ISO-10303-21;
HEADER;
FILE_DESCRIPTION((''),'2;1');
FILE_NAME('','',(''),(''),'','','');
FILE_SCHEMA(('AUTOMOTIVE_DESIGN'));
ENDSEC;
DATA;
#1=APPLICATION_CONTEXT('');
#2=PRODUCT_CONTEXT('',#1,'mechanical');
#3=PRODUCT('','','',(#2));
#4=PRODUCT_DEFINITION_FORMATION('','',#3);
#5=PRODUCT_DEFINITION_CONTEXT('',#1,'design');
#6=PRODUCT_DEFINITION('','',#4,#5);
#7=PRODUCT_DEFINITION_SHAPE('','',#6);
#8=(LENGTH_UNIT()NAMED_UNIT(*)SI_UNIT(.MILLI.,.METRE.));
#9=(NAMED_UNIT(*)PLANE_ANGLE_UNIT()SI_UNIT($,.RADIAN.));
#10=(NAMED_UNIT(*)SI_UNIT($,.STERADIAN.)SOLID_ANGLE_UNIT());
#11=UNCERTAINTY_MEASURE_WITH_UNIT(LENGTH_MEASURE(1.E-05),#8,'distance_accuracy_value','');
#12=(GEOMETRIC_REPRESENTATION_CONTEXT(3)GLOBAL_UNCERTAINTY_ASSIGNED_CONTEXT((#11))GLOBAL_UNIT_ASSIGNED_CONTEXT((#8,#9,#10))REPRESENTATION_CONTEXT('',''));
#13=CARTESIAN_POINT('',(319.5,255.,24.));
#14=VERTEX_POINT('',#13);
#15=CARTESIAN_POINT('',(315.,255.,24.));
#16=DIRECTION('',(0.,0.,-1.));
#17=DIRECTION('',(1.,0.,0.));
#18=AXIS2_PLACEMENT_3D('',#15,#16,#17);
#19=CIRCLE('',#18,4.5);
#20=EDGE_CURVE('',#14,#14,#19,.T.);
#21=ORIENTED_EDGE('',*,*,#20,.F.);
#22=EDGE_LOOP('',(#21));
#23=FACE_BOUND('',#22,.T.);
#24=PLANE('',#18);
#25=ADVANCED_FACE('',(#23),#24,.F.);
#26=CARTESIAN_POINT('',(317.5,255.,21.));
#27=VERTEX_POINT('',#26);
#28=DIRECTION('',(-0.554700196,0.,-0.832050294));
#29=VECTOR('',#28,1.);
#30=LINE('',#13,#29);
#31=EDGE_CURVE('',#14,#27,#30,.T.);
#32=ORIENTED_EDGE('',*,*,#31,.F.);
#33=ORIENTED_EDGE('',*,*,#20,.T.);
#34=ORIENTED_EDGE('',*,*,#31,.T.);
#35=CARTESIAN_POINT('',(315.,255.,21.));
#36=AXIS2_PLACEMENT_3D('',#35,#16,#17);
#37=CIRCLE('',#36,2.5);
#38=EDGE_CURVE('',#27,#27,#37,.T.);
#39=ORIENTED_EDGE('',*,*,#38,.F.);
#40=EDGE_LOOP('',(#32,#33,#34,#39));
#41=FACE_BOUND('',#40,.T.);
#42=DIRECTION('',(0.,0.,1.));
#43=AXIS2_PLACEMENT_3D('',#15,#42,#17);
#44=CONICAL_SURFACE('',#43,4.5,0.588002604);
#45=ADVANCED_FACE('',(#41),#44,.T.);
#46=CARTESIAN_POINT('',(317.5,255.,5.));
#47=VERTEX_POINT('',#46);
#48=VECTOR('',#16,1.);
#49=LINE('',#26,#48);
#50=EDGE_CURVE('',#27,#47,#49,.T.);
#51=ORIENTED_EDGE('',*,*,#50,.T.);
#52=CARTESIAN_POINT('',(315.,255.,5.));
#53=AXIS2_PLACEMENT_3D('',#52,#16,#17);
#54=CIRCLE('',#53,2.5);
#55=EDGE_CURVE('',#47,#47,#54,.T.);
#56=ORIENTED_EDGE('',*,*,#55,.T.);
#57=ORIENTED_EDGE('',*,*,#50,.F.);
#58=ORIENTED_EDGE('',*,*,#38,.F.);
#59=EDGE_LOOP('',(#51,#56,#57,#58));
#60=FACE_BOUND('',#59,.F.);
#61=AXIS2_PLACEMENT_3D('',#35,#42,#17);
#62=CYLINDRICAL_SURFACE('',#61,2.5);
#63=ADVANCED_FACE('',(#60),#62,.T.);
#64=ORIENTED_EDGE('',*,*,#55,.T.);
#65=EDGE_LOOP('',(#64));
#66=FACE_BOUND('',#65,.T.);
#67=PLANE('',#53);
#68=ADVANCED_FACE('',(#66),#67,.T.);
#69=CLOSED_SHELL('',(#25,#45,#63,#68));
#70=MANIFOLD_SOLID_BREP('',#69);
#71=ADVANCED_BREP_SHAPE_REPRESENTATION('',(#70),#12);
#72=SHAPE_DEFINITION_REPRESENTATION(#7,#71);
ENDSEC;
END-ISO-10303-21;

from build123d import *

# Parameters (mm, degrees)
CYLINDER011_R                   = 2.5
CYLINDER011_DEPTH               = 16
FUSION001018017_PLACEMENT_ANGLE = 180
CLONE024_PLACEMENT_ANGLE        = 180


with BuildPart() as cone003:
    # Cone003 → Cone003 (revolve)
    with BuildSketch(Plane(origin=(0, 0, -3), x_dir=(1, 0, 0), z_dir=(0, -1, 0))):
        Polygon((0, 0), (4.5, 0), (2.5, 3), (0, 3), align=None)
    revolve(axis=Axis((0, 0, -3), (0, 0, 1)))


with BuildPart() as m5x16_senkkopf016:
    # Cylinder011 → Cylinder011 (new body)
    with BuildSketch(Plane.XY):
        Circle(CYLINDER011_R)
    extrude(amount=CYLINDER011_DEPTH)

    # Fusion001018017: union Cone003
    add(cone003.part)


with BuildPart() as m5x16_senkkopf016_1:
    # Fusion001018017 placement: moved
    add(m5x16_senkkopf016.part.moved(Location((45, 15, 21))).rotate(Axis((45, 15, 21), (0, 1, 0)), FUSION001018017_PLACEMENT_ANGLE))


with BuildPart() as m5x16_senkkopf016_2:
    # Clone024 placement: moved
    add(m5x16_senkkopf016_1.part.moved(Location((90, 270, 0))).rotate(Axis((90, 270, 0), (0, 0, 1)), CLONE024_PLACEMENT_ANGLE))


with BuildPart() as m5x16_senkkopf016_3:
    # Clone032 placement: moved
    add(m5x16_senkkopf016_2.part.moved(Location((270, 0, 0))))


solid = m5x16_senkkopf016_3.part
